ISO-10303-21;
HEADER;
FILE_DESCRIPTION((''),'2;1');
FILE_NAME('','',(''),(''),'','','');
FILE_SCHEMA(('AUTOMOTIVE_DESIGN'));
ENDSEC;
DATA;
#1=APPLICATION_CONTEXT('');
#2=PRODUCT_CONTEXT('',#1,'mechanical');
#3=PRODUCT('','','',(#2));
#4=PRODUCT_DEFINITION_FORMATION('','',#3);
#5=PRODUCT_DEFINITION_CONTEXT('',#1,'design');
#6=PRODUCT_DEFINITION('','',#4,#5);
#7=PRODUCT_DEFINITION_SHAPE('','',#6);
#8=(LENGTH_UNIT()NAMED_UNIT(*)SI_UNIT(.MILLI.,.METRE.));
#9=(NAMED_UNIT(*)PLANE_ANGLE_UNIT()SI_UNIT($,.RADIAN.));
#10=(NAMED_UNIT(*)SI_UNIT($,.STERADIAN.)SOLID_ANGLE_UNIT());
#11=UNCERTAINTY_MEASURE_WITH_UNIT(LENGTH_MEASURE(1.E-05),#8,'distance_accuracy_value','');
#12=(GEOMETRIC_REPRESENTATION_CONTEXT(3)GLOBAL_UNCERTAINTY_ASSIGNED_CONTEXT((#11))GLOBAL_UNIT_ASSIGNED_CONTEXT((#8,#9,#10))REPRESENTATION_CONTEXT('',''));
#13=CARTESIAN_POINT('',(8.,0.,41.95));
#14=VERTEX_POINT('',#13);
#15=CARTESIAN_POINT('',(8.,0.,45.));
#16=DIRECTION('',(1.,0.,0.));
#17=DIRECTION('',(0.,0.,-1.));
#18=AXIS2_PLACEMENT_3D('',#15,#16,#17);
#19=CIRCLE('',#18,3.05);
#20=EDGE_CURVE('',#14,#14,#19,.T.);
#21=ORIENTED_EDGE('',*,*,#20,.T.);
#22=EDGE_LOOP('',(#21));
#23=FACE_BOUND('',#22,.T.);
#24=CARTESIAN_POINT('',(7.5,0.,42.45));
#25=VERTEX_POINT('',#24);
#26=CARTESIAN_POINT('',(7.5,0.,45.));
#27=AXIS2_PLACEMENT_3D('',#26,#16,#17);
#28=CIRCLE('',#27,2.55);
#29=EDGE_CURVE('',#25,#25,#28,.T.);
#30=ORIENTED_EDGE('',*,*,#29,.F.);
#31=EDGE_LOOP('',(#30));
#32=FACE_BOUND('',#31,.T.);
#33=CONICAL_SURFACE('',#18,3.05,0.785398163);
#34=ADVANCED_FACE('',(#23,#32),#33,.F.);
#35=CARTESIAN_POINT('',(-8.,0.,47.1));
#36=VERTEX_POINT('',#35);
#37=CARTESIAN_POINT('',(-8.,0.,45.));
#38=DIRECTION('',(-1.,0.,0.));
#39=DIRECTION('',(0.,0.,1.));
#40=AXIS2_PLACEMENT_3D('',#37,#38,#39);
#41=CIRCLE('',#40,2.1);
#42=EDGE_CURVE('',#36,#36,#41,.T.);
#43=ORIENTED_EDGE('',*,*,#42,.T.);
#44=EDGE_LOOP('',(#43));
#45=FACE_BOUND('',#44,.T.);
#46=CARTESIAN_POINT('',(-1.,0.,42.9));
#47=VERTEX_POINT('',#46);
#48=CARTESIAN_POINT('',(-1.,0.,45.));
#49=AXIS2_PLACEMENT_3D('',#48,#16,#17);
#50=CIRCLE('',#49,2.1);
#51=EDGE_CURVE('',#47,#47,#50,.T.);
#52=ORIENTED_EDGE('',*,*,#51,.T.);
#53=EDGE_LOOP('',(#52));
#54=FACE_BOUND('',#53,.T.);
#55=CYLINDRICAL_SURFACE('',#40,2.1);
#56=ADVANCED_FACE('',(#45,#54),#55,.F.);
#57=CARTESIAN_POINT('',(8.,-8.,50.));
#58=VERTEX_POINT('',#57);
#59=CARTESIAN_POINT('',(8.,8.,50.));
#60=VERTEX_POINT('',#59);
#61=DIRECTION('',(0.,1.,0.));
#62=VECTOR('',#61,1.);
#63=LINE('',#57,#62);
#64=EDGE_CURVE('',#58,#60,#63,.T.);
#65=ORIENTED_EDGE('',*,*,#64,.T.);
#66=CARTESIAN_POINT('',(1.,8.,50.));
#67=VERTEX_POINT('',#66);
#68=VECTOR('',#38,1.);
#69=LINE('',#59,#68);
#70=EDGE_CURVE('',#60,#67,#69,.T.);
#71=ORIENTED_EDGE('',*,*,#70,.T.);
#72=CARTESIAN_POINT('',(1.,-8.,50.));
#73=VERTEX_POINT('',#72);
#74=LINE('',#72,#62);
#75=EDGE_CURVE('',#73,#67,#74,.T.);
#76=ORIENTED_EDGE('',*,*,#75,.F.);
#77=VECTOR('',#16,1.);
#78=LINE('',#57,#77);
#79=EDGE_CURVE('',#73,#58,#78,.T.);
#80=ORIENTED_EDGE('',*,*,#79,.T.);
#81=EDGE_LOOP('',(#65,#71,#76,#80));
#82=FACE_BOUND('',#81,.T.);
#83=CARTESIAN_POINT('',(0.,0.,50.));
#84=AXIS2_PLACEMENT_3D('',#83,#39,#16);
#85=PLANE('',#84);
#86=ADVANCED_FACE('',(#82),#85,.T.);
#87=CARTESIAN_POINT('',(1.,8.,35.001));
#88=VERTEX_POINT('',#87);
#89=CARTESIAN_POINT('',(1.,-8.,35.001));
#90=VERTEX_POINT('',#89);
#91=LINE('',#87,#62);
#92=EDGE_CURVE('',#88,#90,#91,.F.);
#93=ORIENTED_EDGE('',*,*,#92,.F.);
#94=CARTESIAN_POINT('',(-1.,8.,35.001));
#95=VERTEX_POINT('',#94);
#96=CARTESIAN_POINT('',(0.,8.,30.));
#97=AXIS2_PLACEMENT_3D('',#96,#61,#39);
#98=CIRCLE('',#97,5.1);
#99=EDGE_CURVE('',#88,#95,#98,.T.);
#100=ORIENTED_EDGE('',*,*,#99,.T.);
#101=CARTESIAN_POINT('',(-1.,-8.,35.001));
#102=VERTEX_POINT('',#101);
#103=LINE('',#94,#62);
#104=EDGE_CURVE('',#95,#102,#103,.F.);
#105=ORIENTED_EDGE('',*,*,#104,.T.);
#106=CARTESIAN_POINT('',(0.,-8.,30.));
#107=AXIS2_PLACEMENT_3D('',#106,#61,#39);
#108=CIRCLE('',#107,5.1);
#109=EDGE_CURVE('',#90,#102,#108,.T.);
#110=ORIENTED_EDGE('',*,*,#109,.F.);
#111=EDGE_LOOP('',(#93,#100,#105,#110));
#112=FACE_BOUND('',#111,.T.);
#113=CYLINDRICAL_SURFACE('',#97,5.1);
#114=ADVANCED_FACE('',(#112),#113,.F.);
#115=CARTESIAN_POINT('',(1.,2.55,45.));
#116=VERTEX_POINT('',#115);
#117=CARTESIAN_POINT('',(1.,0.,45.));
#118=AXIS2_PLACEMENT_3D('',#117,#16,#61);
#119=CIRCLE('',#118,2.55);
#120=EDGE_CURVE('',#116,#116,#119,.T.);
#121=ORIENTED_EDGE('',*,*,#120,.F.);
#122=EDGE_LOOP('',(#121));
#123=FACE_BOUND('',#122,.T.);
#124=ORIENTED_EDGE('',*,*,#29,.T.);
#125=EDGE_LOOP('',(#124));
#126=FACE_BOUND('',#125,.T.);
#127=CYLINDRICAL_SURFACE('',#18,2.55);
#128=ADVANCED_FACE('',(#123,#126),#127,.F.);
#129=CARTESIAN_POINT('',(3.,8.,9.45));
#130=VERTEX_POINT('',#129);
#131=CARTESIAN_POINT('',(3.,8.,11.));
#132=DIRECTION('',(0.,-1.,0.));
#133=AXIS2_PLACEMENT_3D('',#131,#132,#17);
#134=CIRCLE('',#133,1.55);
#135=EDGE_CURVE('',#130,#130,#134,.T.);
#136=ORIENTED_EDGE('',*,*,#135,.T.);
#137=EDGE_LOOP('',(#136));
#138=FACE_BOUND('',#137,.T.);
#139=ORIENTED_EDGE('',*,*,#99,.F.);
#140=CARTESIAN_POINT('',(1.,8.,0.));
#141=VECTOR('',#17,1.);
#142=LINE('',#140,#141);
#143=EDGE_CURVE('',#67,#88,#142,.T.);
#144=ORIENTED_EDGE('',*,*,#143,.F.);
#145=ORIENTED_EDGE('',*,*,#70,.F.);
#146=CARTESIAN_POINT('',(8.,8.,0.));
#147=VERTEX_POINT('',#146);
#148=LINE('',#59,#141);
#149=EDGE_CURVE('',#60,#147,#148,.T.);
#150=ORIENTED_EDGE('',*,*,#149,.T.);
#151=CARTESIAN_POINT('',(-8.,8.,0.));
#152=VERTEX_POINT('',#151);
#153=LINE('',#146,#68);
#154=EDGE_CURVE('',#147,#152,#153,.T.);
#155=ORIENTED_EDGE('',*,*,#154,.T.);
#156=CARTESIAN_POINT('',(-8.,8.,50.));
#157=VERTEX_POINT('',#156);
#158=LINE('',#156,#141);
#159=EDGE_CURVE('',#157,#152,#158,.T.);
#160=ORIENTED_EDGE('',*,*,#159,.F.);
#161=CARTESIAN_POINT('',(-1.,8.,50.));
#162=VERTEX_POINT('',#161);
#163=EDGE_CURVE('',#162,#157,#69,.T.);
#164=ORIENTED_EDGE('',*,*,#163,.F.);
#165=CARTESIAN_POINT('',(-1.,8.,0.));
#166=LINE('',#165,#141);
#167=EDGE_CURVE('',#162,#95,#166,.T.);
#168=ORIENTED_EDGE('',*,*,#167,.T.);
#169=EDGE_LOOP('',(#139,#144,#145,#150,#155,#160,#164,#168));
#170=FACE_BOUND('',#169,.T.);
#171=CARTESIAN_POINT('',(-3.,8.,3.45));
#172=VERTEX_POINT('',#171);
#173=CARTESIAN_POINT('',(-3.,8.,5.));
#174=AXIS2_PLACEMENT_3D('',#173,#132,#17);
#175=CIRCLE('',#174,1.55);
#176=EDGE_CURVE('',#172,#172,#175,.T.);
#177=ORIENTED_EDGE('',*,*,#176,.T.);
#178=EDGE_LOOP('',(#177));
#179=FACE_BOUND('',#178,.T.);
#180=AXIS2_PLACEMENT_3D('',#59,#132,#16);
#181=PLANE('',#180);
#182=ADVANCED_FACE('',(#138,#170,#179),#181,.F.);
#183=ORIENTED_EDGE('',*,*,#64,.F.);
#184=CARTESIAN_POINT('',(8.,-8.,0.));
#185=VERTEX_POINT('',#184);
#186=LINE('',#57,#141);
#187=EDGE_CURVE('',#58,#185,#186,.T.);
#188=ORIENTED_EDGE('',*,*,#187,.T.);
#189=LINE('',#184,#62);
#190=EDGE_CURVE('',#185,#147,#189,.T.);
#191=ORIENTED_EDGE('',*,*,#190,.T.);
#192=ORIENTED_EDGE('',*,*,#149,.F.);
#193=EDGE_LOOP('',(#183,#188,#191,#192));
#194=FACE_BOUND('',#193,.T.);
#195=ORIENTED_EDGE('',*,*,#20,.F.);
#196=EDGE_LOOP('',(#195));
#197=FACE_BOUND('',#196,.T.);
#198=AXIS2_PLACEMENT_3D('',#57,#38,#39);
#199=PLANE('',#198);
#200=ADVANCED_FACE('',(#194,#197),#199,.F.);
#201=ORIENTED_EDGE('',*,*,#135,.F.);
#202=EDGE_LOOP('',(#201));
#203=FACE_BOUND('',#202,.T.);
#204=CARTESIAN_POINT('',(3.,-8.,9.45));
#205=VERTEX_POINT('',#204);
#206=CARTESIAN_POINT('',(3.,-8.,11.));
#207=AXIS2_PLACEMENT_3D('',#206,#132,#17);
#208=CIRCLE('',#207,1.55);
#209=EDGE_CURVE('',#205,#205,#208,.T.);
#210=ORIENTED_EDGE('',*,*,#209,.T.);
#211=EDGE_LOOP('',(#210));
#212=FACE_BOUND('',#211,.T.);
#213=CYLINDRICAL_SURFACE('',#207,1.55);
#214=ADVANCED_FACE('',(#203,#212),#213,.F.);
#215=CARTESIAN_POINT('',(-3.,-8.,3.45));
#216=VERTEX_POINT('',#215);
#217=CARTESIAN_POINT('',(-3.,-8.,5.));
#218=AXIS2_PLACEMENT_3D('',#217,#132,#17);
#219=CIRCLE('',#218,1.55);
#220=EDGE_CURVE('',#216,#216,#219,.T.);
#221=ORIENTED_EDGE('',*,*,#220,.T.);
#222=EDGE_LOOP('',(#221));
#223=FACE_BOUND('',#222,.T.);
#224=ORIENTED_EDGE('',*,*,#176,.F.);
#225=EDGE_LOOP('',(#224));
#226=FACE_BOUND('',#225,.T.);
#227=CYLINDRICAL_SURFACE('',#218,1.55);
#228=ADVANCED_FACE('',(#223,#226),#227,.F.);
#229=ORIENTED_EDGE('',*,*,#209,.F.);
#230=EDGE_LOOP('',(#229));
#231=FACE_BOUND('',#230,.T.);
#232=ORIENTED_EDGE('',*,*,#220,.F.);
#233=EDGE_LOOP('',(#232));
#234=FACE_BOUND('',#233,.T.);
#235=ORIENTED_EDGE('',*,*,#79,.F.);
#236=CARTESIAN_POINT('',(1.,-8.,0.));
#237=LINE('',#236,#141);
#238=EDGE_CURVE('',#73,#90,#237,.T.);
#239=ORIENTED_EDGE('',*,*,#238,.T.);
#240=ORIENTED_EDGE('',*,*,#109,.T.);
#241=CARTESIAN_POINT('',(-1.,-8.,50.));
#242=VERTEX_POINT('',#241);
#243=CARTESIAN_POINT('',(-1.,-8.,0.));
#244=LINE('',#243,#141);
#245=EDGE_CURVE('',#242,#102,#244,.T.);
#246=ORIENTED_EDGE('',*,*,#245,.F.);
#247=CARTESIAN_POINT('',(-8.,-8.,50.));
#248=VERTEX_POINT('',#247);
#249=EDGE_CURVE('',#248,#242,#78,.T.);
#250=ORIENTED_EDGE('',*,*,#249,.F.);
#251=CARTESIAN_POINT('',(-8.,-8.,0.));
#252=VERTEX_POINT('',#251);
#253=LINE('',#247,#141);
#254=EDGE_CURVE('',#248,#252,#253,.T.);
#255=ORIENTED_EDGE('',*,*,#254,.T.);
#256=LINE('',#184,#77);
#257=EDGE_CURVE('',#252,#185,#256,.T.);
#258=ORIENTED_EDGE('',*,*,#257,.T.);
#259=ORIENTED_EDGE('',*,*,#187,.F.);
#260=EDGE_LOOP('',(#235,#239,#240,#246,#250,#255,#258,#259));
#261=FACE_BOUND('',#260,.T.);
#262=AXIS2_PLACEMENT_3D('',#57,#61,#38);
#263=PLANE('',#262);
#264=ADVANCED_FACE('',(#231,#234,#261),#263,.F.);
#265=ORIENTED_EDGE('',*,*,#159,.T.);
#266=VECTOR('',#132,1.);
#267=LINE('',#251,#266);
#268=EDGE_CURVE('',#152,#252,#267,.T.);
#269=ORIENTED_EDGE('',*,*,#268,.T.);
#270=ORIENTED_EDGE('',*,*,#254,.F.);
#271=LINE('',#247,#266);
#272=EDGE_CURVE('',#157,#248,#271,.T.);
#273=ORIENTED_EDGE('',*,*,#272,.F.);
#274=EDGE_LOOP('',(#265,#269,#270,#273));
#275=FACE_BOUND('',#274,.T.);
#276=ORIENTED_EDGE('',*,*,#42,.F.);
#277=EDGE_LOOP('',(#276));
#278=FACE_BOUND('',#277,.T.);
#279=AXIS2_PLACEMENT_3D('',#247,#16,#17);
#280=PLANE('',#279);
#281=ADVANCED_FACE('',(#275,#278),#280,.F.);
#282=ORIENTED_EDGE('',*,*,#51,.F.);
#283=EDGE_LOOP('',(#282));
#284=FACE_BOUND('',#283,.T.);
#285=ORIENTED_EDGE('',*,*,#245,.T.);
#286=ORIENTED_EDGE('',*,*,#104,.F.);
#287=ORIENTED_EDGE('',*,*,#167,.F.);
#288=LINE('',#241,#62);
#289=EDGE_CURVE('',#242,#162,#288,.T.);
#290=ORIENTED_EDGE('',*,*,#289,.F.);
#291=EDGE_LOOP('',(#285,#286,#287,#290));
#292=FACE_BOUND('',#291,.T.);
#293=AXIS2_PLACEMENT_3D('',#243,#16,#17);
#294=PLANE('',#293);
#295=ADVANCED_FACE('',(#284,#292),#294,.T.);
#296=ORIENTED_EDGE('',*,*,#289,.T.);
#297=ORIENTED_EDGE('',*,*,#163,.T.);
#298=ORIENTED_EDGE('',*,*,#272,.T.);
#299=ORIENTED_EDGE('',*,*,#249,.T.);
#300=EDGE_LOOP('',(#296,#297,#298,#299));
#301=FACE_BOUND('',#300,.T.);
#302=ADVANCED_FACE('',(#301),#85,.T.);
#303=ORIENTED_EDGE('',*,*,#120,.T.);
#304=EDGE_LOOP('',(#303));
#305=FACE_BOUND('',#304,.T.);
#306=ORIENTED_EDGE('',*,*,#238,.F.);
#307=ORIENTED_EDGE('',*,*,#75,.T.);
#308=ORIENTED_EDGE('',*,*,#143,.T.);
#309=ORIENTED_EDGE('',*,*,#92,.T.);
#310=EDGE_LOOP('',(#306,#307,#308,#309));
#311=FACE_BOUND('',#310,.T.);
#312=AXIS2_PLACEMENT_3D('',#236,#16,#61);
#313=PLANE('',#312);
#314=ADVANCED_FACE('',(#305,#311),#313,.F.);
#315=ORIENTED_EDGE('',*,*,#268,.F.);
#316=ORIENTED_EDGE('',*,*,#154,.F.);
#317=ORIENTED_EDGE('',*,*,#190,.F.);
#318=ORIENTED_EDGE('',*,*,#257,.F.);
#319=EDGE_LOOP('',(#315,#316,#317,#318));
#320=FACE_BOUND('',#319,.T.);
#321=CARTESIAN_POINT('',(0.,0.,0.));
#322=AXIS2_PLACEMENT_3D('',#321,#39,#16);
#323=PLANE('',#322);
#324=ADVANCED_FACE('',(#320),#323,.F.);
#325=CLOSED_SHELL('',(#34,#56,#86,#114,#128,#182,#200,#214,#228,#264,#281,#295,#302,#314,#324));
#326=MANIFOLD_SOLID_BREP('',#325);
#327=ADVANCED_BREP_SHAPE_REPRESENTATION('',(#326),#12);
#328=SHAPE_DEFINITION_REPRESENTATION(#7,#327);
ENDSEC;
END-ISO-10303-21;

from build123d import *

# Parameters (mm, degrees)
SKETCH1_W                                 = 16
SKETCH1_H                                 = 16
BASE_DEPTH                                = 50
SKETCH2_W                                 = 2
SKETCH2_H                                 = 16
RODSLOT_DEPTH                             = 54.103672189
F_5_1_5_1_FREE_HOLE_FOR_SCREW_D           = 5.1
F_5_1_5_1_FREE_HOLE_FOR_SCREW_DEPTH       = 7.5
F_5_1_5_1_FREE_HOLE_FOR_SCREW_CSINK_D     = 6.1
F_5_1_5_1_FREE_HOLE_FOR_SCREW_CSINK_ANGLE = 90
F_5_1_5_1_FREE_HOLE_FOR_SCREW_TIP         = 1.056244584
M5X0_8_TAPPED_HOLE_FOR_ROD_SCREW_D        = 4.2
M5X0_8_TAPPED_HOLE_FOR_ROD_SCREW_DEPTH    = 7.6381927
M5X0_8_TAPPED_HOLE_FOR_ROD_SCREW_TIP      = 1.2618073
F_3_1_3_1_SCREW_HOLES_D                   = 3.1
F_10_2_10_2_ROD_HOLE_D                    = 10.2


with BuildPart() as part:
    # Sketch1 → Base (new body)
    with BuildSketch(Plane.XY):
        Rectangle(SKETCH1_W, SKETCH1_H)
    extrude(amount=BASE_DEPTH)

    # Sketch2 → RodSlot (cut, through all)
    with BuildSketch(Plane(origin=(0, 8, 0), x_dir=(1, 0, 0), z_dir=(0, 1, 0))):
        with Locations((0, -42)):
            Rectangle(SKETCH2_W, SKETCH2_H)
    extrude(amount=-RODSLOT_DEPTH, mode=Mode.SUBTRACT)

    # Ø5.1 (5.1) free hole for screw
    with Locations(Plane(origin=(8, 0, 0), x_dir=(0, 0, -1), z_dir=(1, 0, 0))):
        with Locations((-45, 0)):
            CounterSinkHole(F_5_1_5_1_FREE_HOLE_FOR_SCREW_D / 2, F_5_1_5_1_FREE_HOLE_FOR_SCREW_CSINK_D / 2, depth=F_5_1_5_1_FREE_HOLE_FOR_SCREW_DEPTH, counter_sink_angle=F_5_1_5_1_FREE_HOLE_FOR_SCREW_CSINK_ANGLE)
            with Locations((0, 0, -(F_5_1_5_1_FREE_HOLE_FOR_SCREW_DEPTH + F_5_1_5_1_FREE_HOLE_FOR_SCREW_TIP / 2))):  # 135° drill point
                Cone(0, F_5_1_5_1_FREE_HOLE_FOR_SCREW_D / 2, F_5_1_5_1_FREE_HOLE_FOR_SCREW_TIP, mode=Mode.SUBTRACT)

    # M5x0.8 Tapped Hole for rod screw
    with Locations(Plane.ZY.offset(8)):
        with Locations((45, 0)):
            Hole(M5X0_8_TAPPED_HOLE_FOR_ROD_SCREW_D / 2, depth=M5X0_8_TAPPED_HOLE_FOR_ROD_SCREW_DEPTH)
            with Locations((0, 0, -(M5X0_8_TAPPED_HOLE_FOR_ROD_SCREW_DEPTH + M5X0_8_TAPPED_HOLE_FOR_ROD_SCREW_TIP / 2))):  # 118° drill point
                Cone(0, M5X0_8_TAPPED_HOLE_FOR_ROD_SCREW_D / 2, M5X0_8_TAPPED_HOLE_FOR_ROD_SCREW_TIP, mode=Mode.SUBTRACT)

    # Ø3.1 (3.1) screw holes (through all)
    with Locations(Plane(origin=(0, -8, 0), x_dir=(-1, 0, 0), z_dir=(0, -1, 0))):
        with Locations((3, -5), (-3, -11)):
            Hole(F_3_1_3_1_SCREW_HOLES_D / 2)

    # Ø10.2 (10.2) Rod Hole (through all)
    with Locations(Plane(origin=(0, 8, 0), x_dir=(1, 0, 0), z_dir=(0, 1, 0))):
        with Locations((0, -30)):
            Hole(F_10_2_10_2_ROD_HOLE_D / 2)


solid = part.part
